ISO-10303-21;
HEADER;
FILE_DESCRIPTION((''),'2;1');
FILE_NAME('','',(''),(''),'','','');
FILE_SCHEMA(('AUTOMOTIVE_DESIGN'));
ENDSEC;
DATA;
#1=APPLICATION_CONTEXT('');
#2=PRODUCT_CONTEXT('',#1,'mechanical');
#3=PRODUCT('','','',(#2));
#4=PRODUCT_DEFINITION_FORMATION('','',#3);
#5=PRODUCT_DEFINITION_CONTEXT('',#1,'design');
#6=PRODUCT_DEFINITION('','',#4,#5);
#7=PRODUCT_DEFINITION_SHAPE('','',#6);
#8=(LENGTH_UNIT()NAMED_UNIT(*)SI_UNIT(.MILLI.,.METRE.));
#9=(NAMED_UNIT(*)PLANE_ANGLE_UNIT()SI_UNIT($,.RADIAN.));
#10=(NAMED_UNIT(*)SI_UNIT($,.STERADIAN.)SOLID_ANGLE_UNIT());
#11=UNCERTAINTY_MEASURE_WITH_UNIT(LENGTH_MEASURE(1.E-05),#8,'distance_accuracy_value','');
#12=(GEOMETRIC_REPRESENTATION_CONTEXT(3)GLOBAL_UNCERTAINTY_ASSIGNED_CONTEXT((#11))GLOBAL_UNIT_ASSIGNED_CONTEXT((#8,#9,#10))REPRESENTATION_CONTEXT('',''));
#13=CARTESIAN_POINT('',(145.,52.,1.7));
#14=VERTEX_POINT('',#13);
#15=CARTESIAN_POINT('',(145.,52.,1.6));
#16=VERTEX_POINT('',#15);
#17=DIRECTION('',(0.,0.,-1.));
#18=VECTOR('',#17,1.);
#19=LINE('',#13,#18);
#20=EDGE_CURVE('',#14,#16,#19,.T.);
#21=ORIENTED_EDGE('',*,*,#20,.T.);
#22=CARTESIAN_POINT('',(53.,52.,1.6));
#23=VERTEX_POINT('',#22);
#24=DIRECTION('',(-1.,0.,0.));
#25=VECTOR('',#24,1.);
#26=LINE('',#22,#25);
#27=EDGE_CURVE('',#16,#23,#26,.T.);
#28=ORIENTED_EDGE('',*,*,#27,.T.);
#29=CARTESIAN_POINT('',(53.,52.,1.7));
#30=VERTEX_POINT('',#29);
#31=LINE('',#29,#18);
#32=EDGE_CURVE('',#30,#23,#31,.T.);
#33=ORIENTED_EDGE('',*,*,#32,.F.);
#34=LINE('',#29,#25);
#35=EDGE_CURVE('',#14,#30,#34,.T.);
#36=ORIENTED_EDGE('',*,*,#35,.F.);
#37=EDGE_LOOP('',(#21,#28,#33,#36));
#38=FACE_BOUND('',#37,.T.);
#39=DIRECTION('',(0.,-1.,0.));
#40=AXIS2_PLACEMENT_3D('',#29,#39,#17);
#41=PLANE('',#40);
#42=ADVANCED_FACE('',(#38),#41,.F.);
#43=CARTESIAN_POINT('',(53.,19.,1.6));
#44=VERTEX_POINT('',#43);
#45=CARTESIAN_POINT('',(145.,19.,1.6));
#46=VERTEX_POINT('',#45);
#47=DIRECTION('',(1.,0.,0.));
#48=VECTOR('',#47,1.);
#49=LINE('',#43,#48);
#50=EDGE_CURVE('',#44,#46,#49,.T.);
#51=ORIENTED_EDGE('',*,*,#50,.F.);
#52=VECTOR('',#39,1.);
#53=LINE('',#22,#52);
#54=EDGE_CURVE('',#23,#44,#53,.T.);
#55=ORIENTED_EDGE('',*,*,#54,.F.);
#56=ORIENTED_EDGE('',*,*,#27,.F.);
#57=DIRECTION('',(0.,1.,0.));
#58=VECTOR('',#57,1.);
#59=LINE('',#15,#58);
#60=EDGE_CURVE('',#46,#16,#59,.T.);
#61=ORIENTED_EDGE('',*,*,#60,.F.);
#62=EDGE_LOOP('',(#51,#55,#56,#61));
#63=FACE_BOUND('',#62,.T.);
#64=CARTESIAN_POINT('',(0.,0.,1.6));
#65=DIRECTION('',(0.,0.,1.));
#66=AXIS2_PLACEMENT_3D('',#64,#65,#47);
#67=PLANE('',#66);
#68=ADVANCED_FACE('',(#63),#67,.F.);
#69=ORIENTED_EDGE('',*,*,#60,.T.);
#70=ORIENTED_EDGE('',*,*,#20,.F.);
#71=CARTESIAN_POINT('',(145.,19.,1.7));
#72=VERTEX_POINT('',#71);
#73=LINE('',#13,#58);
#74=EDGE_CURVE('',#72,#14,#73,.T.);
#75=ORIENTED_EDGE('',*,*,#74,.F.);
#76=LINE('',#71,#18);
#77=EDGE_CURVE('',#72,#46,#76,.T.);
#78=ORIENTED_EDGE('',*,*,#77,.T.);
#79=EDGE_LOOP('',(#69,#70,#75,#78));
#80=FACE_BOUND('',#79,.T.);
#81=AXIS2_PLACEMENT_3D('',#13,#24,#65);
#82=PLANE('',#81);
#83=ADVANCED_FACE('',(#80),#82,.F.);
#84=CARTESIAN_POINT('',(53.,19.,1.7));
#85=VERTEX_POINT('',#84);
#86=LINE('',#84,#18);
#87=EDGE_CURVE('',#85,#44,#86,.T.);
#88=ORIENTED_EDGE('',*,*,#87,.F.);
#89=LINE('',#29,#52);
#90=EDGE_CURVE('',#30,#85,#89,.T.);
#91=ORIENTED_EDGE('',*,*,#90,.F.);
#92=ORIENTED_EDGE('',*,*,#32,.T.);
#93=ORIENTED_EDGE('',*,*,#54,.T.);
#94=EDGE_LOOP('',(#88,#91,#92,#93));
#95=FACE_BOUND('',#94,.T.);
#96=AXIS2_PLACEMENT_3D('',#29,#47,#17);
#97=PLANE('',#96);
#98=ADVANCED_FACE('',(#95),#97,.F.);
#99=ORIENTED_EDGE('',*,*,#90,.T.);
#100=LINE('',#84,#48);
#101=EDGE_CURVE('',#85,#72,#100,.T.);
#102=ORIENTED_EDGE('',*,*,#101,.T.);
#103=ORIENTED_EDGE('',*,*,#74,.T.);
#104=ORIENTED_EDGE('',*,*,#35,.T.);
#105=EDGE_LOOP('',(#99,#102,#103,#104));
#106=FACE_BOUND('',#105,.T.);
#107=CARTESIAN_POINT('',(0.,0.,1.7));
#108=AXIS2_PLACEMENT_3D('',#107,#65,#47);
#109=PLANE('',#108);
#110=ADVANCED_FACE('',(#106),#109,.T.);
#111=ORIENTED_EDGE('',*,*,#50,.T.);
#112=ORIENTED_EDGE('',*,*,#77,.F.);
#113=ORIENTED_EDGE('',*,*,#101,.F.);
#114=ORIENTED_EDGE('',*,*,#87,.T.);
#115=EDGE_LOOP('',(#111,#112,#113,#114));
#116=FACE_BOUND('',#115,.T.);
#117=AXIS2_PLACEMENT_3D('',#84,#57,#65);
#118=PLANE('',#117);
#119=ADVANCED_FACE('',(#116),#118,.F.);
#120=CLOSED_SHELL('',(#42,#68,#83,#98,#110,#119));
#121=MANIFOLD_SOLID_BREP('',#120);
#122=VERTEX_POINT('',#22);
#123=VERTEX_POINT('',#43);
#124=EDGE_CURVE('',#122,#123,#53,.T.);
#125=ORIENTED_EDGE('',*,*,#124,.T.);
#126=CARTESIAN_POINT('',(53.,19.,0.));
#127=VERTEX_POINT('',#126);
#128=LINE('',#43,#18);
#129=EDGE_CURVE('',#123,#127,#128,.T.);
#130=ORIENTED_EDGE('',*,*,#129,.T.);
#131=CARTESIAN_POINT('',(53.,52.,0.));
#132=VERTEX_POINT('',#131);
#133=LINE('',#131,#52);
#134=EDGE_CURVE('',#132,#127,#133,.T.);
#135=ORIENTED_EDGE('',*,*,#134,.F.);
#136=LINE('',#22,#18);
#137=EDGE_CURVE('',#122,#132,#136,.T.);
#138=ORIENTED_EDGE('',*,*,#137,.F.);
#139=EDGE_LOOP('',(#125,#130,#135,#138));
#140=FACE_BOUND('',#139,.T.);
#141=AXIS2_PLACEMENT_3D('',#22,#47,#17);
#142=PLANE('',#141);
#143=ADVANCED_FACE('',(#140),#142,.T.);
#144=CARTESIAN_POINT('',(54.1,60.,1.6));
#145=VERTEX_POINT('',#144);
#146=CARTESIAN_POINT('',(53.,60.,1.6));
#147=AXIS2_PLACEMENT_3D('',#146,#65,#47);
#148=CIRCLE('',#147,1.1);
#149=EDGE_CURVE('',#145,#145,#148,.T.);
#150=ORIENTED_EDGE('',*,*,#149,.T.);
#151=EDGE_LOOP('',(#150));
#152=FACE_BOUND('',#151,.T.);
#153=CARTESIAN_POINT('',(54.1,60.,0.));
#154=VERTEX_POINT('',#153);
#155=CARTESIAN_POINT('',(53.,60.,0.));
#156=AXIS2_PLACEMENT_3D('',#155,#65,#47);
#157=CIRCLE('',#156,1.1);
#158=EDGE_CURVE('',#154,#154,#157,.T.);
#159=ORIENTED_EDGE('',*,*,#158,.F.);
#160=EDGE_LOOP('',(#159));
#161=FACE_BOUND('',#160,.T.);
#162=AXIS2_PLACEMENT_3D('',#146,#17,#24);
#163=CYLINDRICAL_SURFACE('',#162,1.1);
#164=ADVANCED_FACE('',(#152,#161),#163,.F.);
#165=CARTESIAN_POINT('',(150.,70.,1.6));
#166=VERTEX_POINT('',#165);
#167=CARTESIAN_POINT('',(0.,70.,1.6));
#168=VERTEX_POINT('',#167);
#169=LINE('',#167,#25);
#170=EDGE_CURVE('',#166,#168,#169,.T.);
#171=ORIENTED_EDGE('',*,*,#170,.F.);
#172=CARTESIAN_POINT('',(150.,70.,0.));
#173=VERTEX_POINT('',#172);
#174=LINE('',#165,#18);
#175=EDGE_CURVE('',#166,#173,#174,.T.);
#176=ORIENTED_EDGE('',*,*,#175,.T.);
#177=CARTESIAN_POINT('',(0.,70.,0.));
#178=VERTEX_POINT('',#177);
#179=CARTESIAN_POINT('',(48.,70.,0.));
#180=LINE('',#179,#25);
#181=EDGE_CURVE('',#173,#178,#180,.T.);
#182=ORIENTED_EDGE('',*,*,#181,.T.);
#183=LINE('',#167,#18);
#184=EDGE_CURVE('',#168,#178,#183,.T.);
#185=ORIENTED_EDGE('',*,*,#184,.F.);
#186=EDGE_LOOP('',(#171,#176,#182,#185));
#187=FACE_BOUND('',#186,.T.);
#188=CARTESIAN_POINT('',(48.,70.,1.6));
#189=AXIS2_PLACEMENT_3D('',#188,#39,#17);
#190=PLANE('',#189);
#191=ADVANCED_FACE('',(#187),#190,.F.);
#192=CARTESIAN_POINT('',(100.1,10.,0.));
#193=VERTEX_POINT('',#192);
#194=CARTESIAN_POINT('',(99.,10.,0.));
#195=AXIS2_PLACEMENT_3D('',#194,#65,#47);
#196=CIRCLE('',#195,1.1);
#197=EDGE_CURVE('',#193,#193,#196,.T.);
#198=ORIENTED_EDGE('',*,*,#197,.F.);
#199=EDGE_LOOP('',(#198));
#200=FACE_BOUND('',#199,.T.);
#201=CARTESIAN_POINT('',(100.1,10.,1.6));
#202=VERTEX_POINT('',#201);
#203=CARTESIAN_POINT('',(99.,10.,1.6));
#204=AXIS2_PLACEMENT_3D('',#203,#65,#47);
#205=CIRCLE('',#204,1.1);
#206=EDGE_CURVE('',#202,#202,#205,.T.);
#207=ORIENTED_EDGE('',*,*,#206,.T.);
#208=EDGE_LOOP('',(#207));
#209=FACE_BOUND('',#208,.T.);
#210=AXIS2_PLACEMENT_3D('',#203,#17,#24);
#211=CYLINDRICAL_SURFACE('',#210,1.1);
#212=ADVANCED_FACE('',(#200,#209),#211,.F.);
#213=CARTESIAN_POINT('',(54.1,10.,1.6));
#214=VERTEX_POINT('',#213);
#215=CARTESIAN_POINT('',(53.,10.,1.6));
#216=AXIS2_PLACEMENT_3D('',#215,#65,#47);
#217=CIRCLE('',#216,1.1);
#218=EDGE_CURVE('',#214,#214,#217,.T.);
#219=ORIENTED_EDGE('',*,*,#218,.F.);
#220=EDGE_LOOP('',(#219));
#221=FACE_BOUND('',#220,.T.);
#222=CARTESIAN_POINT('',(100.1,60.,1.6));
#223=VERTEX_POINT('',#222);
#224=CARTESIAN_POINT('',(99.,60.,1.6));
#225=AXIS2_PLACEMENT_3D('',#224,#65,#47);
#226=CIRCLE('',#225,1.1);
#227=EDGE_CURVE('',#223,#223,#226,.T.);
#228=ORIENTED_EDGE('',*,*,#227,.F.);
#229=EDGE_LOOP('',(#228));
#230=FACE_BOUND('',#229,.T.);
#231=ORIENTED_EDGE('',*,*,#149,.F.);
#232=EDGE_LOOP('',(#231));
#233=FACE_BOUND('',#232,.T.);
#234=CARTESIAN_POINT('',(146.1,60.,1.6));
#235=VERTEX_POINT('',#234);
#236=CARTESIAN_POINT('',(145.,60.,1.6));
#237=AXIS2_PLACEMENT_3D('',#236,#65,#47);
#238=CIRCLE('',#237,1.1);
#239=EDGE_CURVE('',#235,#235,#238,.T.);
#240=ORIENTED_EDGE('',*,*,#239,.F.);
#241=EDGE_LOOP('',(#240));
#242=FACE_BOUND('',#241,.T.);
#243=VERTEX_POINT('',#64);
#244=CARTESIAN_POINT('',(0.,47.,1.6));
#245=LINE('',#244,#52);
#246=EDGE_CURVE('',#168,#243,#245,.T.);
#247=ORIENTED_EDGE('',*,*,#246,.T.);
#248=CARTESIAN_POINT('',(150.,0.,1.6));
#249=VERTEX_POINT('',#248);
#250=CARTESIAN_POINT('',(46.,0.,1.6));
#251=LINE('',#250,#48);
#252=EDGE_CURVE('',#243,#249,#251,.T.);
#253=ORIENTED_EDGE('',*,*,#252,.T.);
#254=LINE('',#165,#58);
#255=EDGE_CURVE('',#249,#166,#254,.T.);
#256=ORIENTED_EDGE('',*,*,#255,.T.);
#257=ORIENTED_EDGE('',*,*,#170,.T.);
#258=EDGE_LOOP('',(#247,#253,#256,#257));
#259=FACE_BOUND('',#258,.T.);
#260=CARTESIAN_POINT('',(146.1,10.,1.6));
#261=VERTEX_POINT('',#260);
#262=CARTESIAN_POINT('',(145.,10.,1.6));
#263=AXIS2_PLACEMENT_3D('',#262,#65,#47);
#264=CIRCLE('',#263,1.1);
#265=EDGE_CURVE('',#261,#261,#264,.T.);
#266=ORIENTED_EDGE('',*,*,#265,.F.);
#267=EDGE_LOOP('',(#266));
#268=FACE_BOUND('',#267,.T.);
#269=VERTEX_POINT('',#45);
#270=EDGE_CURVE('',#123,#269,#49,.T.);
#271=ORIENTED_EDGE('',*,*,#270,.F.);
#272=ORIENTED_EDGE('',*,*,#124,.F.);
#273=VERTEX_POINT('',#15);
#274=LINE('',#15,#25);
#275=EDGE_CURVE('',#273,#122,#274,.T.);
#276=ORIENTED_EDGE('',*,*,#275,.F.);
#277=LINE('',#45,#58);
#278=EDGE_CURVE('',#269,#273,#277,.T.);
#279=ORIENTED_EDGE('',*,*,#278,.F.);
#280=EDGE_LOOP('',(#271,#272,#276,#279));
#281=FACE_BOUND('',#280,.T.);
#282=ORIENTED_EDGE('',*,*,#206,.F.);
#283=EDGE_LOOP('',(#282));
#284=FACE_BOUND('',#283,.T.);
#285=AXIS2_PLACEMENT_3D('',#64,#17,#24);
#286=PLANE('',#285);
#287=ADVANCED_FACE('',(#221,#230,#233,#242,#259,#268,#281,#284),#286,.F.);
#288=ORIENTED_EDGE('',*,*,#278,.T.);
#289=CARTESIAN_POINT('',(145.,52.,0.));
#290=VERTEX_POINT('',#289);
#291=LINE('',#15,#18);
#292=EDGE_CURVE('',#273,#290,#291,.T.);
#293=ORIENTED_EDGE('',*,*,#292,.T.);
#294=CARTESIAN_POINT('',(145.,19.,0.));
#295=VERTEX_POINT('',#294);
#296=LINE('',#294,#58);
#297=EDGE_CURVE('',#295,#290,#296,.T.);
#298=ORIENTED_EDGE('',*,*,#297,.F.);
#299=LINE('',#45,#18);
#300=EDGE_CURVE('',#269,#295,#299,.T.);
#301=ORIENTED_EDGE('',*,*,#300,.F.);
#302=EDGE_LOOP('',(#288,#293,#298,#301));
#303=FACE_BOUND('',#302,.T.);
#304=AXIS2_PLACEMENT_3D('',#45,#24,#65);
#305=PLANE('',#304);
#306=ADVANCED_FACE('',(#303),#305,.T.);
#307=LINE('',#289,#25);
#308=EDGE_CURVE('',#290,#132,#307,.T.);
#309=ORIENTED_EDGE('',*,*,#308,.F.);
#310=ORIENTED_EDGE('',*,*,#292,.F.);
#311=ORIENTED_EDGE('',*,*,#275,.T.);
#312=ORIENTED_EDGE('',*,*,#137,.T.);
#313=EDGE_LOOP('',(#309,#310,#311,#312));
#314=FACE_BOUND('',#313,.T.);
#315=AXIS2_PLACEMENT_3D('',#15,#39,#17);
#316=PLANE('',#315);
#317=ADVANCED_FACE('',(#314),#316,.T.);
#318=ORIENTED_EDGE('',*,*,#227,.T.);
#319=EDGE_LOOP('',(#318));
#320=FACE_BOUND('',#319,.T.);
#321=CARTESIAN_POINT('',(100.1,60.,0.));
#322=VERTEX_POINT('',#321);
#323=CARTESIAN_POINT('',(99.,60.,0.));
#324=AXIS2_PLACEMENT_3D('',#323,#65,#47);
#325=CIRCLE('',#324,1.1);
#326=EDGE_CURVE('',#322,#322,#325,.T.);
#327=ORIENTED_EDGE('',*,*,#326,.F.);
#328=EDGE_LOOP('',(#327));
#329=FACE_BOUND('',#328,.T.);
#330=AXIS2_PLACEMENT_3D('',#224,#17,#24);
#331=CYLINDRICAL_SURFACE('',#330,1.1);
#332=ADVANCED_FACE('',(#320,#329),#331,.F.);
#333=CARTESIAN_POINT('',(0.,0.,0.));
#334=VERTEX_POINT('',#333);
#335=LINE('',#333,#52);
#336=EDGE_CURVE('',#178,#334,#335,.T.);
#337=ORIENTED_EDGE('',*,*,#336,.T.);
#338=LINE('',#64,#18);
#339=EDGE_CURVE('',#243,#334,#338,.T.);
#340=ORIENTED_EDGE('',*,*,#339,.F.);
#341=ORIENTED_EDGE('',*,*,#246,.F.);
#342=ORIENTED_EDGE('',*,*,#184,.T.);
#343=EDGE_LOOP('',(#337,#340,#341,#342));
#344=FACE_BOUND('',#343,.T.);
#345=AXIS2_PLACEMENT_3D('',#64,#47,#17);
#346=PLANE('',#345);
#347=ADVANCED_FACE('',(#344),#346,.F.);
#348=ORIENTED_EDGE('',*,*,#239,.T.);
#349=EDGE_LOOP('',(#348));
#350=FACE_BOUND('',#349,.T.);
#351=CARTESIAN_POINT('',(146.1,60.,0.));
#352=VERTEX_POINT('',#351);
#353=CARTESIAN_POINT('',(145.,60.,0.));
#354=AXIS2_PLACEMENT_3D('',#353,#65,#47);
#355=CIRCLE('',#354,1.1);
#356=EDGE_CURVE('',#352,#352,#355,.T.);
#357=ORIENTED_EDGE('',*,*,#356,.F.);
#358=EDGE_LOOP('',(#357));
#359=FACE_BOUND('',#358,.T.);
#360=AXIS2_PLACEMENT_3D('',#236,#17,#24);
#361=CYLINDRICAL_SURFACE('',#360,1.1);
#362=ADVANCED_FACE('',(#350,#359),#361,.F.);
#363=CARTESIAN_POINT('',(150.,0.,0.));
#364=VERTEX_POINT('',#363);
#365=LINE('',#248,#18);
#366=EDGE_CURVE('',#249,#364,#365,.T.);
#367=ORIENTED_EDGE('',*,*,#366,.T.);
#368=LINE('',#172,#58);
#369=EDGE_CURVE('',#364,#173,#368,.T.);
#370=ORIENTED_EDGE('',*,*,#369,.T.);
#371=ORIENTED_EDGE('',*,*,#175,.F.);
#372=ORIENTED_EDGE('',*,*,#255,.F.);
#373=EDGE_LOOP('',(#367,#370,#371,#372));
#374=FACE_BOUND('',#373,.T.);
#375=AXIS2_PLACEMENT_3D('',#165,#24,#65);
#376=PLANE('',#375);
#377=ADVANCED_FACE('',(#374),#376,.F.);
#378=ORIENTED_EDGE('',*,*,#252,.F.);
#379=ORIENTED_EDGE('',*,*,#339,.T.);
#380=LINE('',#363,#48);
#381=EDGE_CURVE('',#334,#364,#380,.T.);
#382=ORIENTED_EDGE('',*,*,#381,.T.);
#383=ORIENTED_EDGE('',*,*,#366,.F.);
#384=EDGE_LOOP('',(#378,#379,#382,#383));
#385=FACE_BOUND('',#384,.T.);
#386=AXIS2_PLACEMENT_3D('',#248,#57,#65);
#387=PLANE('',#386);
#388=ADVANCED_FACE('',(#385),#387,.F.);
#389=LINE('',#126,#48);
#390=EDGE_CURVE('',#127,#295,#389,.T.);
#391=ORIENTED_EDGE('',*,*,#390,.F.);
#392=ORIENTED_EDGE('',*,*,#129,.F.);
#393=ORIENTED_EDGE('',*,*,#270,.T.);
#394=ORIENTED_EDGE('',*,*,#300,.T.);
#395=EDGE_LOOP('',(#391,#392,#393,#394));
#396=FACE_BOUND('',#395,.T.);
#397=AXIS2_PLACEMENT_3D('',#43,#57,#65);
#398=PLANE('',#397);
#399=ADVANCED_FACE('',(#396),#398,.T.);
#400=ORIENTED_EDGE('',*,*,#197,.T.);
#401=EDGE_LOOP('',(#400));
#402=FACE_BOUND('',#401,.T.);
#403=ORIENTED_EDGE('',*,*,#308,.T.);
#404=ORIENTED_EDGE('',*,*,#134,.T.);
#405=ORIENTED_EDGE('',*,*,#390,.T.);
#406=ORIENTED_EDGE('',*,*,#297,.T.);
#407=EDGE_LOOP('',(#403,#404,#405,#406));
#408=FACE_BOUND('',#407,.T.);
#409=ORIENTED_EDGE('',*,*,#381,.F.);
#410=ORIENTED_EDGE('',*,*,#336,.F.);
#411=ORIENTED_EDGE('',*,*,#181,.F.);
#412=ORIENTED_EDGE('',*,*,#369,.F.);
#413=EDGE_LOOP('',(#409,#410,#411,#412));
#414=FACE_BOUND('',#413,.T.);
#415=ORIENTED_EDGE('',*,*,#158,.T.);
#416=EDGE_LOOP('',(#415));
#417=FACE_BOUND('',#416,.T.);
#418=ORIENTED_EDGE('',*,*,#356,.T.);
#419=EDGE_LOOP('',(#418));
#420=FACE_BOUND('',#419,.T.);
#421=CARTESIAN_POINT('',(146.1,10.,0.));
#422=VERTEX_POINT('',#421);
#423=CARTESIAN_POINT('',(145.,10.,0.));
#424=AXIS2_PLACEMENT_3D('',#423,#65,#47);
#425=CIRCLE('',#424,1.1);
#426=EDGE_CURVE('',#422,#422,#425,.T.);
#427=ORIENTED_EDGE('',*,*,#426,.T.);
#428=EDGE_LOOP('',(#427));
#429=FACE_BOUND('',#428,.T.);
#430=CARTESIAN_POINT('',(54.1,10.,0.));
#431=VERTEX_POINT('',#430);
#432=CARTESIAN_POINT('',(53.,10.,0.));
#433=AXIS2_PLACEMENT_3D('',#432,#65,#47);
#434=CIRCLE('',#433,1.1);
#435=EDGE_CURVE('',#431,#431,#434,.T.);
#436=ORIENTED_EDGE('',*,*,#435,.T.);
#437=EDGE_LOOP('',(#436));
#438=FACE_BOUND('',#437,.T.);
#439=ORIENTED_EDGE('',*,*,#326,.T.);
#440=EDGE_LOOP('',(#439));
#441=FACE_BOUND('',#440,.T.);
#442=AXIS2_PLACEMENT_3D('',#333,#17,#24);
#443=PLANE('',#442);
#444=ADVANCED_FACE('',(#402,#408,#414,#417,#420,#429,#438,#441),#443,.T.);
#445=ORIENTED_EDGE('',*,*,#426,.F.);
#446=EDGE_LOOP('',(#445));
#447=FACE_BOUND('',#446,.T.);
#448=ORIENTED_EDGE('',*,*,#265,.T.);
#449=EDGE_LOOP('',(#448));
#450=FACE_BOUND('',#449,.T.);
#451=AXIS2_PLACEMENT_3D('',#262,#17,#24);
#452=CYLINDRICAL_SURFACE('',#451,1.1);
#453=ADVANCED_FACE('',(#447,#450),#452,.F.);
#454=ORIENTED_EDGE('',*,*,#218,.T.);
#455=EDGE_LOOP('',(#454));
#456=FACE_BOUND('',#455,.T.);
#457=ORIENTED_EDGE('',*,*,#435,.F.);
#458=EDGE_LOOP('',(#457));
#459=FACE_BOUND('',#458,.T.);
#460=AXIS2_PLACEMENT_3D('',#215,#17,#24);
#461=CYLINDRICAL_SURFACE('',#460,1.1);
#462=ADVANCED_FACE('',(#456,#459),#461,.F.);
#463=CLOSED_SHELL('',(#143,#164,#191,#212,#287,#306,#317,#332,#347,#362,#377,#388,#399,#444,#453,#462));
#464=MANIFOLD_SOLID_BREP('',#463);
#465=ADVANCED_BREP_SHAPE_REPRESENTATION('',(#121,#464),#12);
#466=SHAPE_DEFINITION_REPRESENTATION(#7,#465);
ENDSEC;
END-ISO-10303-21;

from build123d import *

# Parameters (mm, degrees)
SKETCH1_W           = 92
SKETCH1_H           = 33
BOSS_EXTRUDE1_DEPTH = 1.6
SKETCH2_W           = 92
SKETCH2_H           = 33
BOSS_EXTRUDE2_DEPTH = 0.1


with BuildPart() as part:
    # Sketch1 → Boss-Extrude1 (new body)
    with BuildSketch(Plane.XY):
        Polygon((48, 70), (150, 70), (150, 0), (48, 0), (46, 0), (0, 0), (0, 18.6), (0, 36), (0, 47), (0, 70), align=None)
        with Locations((99, 35.5)):
            Rectangle(SKETCH1_W, SKETCH1_H, mode=Mode.SUBTRACT)
        with BuildLine():
            ThreePointArc((99, 11.1), (97.9, 10), (99, 8.9))
            ThreePointArc((99, 8.9), (100.1, 10), (99, 11.1))
        make_face(mode=Mode.SUBTRACT)
        with BuildLine():
            ThreePointArc((99, 61.1), (97.9, 60), (99, 58.9))
            ThreePointArc((99, 58.9), (100.1, 60), (99, 61.1))
        make_face(mode=Mode.SUBTRACT)
        with BuildLine():
            ThreePointArc((53, 61.1), (51.9, 60), (53, 58.9))
            ThreePointArc((53, 58.9), (54.1, 60), (53, 61.1))
        make_face(mode=Mode.SUBTRACT)
        with BuildLine():
            ThreePointArc((53, 11.1), (51.9, 10), (53, 8.9))
            ThreePointArc((53, 8.9), (54.1, 10), (53, 11.1))
        make_face(mode=Mode.SUBTRACT)
        with BuildLine():
            ThreePointArc((145, 11.1), (143.9, 10), (145, 8.9))
            ThreePointArc((145, 8.9), (146.1, 10), (145, 11.1))
        make_face(mode=Mode.SUBTRACT)
        with BuildLine():
            ThreePointArc((145, 61.1), (143.9, 60), (145, 58.9))
            ThreePointArc((145, 58.9), (146.1, 60), (145, 61.1))
        make_face(mode=Mode.SUBTRACT)
    extrude(amount=BOSS_EXTRUDE1_DEPTH)


with BuildPart() as body_2:
    # Sketch2 → Boss-Extrude2 (new body)
    with BuildSketch(Plane.XY.offset(1.6)):
        with Locations((99, 35.5)):
            Rectangle(SKETCH2_W, SKETCH2_H)
    extrude(amount=BOSS_EXTRUDE2_DEPTH)


solid = Compound([part.part, body_2.part])
